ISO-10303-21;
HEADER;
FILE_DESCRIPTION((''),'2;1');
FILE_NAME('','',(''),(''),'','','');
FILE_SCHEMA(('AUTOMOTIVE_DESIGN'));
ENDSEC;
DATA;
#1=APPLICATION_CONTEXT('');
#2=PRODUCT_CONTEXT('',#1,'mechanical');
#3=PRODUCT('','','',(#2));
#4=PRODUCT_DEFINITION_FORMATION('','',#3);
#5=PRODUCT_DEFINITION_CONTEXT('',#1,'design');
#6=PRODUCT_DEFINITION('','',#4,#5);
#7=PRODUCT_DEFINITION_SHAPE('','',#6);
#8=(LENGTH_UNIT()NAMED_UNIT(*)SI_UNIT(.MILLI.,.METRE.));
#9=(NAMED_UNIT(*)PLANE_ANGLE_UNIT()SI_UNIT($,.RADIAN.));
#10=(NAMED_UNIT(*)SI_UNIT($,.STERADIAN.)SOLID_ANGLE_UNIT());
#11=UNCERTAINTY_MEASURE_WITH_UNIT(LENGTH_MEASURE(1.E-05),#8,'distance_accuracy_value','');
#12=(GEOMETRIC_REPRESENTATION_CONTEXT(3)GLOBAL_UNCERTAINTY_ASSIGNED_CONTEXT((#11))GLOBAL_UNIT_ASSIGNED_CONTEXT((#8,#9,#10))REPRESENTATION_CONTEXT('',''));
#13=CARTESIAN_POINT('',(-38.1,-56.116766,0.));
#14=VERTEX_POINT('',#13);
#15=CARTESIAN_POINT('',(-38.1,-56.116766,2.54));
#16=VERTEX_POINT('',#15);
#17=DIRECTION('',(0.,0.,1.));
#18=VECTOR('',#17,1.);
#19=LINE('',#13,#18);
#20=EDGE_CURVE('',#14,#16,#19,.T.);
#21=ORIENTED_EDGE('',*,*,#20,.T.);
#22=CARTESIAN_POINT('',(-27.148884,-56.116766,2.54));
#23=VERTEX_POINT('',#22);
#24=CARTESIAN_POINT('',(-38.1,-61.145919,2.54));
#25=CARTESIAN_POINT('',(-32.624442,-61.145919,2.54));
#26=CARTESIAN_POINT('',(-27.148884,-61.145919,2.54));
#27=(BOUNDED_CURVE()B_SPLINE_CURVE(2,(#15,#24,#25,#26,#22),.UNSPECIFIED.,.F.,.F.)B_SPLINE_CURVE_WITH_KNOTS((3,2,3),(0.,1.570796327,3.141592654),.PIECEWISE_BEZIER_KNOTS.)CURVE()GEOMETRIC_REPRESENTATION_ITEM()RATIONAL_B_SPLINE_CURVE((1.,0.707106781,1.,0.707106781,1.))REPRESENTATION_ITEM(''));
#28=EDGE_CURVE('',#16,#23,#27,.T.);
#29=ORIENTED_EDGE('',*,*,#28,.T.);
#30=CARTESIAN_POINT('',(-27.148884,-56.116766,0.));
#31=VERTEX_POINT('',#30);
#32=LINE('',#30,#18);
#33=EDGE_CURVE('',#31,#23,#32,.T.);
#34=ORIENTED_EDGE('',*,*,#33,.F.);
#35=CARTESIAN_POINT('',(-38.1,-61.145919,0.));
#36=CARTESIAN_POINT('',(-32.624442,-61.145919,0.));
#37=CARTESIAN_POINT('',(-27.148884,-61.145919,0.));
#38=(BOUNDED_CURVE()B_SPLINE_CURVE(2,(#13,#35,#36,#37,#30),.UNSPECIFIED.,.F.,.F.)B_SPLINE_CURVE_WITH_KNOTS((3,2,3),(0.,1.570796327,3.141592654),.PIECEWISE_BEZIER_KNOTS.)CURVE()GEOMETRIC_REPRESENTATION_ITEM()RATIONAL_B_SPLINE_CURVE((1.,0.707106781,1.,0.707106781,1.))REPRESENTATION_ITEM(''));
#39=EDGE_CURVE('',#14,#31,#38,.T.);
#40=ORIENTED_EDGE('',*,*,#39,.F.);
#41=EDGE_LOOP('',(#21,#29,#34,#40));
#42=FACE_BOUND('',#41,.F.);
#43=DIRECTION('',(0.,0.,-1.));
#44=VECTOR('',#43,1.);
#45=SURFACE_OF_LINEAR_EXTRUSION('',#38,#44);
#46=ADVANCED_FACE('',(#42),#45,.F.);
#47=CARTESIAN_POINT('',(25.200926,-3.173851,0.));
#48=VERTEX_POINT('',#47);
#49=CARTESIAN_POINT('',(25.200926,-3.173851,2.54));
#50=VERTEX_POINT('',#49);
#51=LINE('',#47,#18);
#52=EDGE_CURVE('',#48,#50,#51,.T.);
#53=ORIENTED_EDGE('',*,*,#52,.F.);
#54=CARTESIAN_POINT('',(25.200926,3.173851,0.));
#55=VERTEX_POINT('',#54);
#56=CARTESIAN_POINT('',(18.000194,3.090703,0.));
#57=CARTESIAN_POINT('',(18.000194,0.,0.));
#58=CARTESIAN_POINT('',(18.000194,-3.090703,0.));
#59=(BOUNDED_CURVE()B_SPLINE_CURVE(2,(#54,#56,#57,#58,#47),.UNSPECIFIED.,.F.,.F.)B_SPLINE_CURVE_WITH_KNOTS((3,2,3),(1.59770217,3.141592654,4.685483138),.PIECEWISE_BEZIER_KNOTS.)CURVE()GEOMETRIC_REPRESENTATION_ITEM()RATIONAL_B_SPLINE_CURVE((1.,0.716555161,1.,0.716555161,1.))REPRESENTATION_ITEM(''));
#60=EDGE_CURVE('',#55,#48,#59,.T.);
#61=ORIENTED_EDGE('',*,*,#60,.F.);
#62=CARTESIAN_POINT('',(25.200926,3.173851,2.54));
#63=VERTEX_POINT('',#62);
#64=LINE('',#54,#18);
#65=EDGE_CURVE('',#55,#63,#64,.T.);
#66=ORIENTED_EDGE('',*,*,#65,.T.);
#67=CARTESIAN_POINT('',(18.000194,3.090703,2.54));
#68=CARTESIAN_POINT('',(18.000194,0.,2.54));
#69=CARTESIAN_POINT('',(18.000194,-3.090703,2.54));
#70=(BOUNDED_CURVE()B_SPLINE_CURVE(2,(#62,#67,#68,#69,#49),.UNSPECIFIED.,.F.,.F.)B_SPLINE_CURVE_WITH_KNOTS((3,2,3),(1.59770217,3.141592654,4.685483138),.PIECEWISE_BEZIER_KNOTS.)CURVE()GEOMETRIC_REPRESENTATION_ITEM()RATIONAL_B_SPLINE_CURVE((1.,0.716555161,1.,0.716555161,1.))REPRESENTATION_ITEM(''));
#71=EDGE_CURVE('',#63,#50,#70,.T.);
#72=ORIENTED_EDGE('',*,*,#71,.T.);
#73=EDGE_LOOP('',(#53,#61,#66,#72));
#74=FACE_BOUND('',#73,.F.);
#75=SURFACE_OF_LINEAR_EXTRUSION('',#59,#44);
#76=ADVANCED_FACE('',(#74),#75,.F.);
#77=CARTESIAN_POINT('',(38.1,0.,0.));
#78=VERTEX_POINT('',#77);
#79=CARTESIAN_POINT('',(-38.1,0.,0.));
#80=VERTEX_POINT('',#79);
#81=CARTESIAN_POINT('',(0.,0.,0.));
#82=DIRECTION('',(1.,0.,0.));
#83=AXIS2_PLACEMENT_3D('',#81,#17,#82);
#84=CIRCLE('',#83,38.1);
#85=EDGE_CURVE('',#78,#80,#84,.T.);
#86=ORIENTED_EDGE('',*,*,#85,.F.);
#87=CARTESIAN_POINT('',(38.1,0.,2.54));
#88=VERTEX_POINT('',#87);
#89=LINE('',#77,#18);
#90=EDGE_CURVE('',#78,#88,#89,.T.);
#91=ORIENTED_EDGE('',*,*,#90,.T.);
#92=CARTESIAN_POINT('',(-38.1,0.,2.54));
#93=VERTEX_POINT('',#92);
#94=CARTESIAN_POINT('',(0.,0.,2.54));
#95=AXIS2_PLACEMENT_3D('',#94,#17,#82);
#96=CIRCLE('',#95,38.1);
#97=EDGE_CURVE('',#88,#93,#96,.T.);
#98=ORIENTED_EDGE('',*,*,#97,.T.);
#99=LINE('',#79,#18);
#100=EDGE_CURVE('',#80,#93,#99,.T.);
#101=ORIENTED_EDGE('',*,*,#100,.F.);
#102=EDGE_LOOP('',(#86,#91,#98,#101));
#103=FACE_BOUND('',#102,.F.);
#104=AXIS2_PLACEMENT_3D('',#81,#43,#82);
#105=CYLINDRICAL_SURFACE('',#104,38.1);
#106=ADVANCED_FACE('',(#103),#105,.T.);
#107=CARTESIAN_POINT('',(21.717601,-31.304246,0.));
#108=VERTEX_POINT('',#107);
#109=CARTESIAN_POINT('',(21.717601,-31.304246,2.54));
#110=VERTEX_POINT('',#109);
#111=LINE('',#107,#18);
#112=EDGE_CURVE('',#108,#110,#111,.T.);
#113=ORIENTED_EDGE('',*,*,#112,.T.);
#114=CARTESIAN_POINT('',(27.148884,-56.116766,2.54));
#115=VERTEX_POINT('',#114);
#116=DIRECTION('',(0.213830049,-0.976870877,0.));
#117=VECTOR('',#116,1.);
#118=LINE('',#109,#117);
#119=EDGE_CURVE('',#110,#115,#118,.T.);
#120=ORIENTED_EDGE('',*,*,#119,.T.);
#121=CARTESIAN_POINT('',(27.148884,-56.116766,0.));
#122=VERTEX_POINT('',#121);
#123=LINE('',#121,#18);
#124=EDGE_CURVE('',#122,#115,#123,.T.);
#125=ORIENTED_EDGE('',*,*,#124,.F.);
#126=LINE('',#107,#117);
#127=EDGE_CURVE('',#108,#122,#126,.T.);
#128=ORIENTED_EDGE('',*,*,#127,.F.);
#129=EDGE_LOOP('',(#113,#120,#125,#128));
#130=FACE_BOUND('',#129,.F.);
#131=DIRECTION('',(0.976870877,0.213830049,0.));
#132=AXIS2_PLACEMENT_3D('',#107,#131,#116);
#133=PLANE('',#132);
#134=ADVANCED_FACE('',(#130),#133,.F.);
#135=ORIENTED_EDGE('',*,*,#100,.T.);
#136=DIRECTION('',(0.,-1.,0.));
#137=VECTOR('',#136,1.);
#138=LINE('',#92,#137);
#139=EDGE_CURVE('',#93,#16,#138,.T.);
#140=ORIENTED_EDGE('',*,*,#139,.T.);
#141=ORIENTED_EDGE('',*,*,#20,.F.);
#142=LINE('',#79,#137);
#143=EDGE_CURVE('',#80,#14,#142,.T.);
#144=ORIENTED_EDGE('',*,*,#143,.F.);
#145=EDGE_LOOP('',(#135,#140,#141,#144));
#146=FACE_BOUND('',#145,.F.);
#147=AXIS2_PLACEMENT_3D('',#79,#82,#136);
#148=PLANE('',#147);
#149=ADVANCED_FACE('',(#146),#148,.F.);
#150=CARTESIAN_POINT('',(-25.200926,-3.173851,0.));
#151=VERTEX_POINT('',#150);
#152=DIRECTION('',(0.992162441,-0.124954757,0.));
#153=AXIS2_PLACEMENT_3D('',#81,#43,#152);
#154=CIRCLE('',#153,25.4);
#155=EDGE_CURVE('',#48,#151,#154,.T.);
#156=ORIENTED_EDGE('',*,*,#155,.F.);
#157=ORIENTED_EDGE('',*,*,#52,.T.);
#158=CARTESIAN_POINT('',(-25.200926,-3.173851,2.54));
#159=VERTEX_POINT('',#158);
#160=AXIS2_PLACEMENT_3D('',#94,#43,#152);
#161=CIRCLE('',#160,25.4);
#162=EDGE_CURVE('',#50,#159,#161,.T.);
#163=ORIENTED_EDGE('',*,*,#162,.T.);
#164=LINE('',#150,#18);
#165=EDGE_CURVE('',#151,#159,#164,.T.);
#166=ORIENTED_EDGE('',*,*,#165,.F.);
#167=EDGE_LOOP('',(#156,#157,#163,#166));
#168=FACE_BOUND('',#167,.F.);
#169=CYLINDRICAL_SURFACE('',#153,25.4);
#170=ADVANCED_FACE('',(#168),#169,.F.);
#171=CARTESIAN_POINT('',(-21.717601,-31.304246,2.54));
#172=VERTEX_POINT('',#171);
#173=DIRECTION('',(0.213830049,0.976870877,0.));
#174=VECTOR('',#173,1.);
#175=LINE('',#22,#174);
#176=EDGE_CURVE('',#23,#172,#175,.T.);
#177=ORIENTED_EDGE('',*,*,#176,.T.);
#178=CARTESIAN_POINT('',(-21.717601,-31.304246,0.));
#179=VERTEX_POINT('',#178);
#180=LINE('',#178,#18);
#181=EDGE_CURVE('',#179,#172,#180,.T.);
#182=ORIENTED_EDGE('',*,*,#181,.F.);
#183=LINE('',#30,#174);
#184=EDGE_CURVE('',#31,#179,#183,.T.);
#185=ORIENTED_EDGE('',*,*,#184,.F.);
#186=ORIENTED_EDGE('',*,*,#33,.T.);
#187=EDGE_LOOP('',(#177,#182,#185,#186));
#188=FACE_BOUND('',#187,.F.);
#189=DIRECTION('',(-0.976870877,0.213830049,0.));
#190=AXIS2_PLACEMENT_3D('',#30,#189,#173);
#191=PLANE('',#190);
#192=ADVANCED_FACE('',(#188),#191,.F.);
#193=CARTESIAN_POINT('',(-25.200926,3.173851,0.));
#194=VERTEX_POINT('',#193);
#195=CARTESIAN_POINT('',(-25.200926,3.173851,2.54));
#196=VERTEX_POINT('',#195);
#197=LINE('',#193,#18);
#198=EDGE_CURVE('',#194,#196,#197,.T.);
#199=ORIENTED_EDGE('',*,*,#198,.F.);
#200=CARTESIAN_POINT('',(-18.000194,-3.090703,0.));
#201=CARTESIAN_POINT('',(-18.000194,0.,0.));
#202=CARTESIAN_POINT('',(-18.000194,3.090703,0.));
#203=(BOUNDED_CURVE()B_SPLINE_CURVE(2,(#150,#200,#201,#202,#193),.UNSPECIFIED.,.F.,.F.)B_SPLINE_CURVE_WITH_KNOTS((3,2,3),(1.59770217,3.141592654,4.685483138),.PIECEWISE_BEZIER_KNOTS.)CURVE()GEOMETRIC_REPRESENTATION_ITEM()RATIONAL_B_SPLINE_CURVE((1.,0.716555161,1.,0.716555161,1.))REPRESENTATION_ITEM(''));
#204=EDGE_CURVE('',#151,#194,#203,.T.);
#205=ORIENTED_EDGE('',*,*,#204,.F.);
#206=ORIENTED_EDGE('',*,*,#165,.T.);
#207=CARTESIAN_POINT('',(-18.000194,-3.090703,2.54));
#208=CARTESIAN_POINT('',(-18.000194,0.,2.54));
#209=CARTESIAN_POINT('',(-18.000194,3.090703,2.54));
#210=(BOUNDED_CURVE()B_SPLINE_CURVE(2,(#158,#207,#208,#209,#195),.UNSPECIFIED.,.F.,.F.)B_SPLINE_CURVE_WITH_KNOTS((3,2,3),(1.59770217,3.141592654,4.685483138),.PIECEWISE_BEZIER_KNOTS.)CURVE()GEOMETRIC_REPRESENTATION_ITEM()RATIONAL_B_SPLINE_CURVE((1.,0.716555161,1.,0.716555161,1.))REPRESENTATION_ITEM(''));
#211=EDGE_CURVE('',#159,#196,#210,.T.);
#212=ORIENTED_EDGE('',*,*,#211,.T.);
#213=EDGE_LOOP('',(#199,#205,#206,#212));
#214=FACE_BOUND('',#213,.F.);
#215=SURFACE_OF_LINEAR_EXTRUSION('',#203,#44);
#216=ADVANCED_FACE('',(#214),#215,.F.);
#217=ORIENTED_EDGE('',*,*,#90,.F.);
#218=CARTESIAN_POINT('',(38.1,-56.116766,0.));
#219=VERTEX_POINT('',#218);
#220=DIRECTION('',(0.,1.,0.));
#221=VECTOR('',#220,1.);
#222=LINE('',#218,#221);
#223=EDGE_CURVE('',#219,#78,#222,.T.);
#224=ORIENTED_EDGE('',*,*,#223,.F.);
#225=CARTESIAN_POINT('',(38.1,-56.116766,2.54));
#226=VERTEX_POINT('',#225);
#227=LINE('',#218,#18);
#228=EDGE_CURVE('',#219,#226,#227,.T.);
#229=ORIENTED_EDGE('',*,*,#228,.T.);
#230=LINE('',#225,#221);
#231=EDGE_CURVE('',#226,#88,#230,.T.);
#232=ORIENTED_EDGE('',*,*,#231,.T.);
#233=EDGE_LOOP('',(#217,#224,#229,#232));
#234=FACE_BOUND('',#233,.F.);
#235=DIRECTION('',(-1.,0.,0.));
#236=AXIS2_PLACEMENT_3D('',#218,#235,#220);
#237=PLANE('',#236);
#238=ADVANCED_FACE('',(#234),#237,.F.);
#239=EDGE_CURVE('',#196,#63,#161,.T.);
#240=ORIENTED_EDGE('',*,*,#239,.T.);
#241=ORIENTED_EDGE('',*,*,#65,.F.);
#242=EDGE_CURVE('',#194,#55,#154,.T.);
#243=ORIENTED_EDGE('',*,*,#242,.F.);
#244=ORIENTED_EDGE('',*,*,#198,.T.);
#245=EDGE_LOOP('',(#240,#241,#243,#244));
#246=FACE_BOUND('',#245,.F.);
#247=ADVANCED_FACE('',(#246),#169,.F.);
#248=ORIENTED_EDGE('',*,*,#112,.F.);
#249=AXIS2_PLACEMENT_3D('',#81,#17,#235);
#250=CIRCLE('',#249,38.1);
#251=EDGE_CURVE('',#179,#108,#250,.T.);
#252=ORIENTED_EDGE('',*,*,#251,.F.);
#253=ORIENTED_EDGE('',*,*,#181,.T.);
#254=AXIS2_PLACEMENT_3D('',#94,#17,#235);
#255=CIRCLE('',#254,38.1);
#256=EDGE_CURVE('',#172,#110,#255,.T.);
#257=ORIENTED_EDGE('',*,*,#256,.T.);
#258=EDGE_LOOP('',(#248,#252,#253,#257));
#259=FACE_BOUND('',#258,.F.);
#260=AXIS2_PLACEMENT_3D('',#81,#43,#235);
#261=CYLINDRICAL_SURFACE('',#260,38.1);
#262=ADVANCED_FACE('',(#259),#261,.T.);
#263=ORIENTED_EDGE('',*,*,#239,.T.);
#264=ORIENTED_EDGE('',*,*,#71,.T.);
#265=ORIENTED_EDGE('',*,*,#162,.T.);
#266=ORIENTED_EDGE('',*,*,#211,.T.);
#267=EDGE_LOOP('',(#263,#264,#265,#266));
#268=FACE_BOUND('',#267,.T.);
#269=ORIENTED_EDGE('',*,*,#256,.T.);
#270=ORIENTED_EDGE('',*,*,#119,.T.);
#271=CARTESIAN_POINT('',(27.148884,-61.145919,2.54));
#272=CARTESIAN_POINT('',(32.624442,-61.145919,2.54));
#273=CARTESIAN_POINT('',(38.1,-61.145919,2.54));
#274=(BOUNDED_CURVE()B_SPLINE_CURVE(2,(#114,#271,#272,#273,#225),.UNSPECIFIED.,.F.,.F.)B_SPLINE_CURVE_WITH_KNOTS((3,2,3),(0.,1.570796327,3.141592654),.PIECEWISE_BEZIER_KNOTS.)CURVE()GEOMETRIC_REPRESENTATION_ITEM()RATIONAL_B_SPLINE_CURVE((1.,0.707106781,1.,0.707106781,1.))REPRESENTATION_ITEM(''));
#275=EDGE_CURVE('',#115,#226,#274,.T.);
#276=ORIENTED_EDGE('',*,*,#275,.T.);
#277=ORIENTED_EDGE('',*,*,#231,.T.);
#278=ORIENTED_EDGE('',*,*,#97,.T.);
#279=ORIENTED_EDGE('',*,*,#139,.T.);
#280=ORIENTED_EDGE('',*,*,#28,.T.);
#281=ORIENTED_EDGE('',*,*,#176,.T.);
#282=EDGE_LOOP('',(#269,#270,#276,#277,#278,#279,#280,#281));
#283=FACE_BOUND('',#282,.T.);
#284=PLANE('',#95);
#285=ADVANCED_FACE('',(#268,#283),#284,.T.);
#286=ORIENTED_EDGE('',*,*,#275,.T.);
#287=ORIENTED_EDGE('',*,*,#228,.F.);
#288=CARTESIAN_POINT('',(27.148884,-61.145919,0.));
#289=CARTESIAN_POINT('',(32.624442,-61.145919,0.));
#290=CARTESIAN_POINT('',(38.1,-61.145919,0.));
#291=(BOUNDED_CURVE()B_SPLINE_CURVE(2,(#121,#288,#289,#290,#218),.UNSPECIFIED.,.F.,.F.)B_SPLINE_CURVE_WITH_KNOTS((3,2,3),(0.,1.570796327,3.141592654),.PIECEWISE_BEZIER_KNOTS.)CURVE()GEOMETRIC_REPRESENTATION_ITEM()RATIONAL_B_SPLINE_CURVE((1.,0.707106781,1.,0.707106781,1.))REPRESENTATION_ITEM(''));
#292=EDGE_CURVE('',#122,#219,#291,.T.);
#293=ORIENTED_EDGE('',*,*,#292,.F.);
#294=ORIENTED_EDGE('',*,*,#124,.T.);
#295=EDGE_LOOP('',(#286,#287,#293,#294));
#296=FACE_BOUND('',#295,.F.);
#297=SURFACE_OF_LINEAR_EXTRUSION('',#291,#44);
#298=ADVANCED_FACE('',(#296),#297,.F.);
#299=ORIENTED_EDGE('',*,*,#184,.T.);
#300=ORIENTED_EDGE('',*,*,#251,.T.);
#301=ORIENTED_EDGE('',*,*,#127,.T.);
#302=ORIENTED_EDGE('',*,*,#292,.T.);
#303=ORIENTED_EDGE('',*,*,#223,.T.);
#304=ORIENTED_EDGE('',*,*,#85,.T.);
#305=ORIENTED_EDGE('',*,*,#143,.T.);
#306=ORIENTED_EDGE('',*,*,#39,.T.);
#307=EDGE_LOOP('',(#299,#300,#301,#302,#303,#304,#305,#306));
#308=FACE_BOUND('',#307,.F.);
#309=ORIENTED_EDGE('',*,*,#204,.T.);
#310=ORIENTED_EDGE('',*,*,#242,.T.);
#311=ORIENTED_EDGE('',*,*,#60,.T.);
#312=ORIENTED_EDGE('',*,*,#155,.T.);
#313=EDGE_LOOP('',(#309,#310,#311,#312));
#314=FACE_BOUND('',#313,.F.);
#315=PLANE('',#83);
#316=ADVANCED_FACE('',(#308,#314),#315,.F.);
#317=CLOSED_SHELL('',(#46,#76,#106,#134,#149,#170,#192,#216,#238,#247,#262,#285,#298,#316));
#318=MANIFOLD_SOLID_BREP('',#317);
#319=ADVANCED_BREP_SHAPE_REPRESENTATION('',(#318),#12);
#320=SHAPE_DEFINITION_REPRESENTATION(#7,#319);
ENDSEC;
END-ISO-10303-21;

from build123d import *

# Parameters (mm, degrees)
F1_DEPTH = 2.54


with BuildPart() as f1:
    # F0 (on Top) → F1 (new body)
    with BuildSketch(Plane.XY):
        with BuildLine():
            ThreePointArc((21.7176005389, -31.304246147), (33.7568554558, -17.6659194421), (38.1, 0))
            ThreePointArc((38.1, 0), (0, 38.1), (-38.1, 0))
            ThreePointArc((-38.1, 0), (-33.7568554558, -17.6659194421), (-21.7176005389, -31.304246147))
            ThreePointArc((-21.7176005389, -31.304246147), (0, -38.1), (21.7176005389, -31.304246147))
        make_face()
        with BuildLine():
            ThreePointArc((25.2009259919, 3.1738508394), (25.3501826443, 1.590043994), (25.4, 0))
            ThreePointArc((25.4, 0), (25.3501826443, -1.590043994), (25.2009259919, -3.1738508394))
            ThreePointArc((25.2009259919, -3.1738508394), (0, -25.4), (-25.2009259919, -3.1738508394))
            ThreePointArc((-25.2009259919, -3.1738508394), (-25.4, 0), (-25.2009259919, 3.1738508394))
            ThreePointArc((-25.2009259919, 3.1738508394), (0, 25.4), (25.2009259919, 3.1738508394))
        make_face(mode=Mode.SUBTRACT)
        with BuildLine():
            Line((38.1, -56.116766419), (38.1, 0))
            ThreePointArc((38.1, 0), (33.7568554558, -17.6659194421), (21.7176005389, -31.304246147))
            Line((21.7176005389, -31.304246147), (27.1488837898, -56.116766419))
            Line((27.1488837898, -56.116766419), (38.1, -56.116766419))
        make_face()
        with BuildLine():
            ThreePointArc((-21.7176005389, -31.304246147), (-33.7568554558, -17.6659194421), (-38.1, 0))
            Line((-38.1, 0), (-38.1, -56.116766419))
            Line((-38.1, -56.116766419), (-27.1488837898, -56.116766419))
            Line((-27.1488837898, -56.116766419), (-21.7176005389, -31.304246147))
        make_face()
        with BuildLine():
            add(Edge.make_bspline(
                [(27.1488837898, -56.116766419), (27.1488837898, -61.1459194978), (32.6244418949, -61.1459194978), (38.1, -61.1459194978), (38.1, -56.116766419)],
                knots=[0, 0, 0, 1.5707963268, 1.5707963268, 3.1415926536, 3.1415926536, 3.1415926536], degree=2, weights=[1, 0.7071067812, 1, 0.7071067812, 1]))
            Line((38.1, -56.116766419), (27.1488837898, -56.116766419))
        make_face()
        with BuildLine():
            Line((-27.1488837898, -56.116766419), (-38.1, -56.116766419))
            add(Edge.make_bspline(
                [(-38.1, -56.116766419), (-38.1, -61.1459194978), (-32.6244418949, -61.1459194978), (-27.1488837898, -61.1459194978), (-27.1488837898, -56.116766419)],
                knots=[0, 0, 0, 1.5707963268, 1.5707963268, 3.1415926536, 3.1415926536, 3.1415926536], degree=2, weights=[1, 0.7071067812, 1, 0.7071067812, 1]))
        make_face()
        with BuildLine():
            add(Edge.make_bspline(
                [(-25.2009259919, -3.1738508394), (-18.0001935542, -3.0907029057), (-18.0001935542, 0), (-18.0001935542, 3.0907029057), (-25.2009259919, 3.1738508394)],
                knots=[1.5977021696, 1.5977021696, 1.5977021696, 3.1415926536, 3.1415926536, 4.6854831376, 4.6854831376, 4.6854831376], degree=2, weights=[1, 0.7165551607, 1, 0.7165551607, 1]))
            ThreePointArc((-25.2009259919, 3.1738508394), (-25.4, 0), (-25.2009259919, -3.1738508394))
        make_face()
        with BuildLine():
            ThreePointArc((25.2009259919, -3.1738508394), (25.3501826443, -1.590043994), (25.4, 0))
            ThreePointArc((25.4, 0), (25.3501826443, 1.590043994), (25.2009259919, 3.1738508394))
            add(Edge.make_bspline(
                [(25.2009259919, 3.1738508394), (18.0001935542, 3.0907029057), (18.0001935542, 0), (18.0001935542, -3.0907029057), (25.2009259919, -3.1738508394)],
                knots=[1.5977021696, 1.5977021696, 1.5977021696, 3.1415926536, 3.1415926536, 4.6854831376, 4.6854831376, 4.6854831376], degree=2, weights=[1, 0.7165551607, 1, 0.7165551607, 1]))
        make_face()
    extrude(amount=F1_DEPTH)


solid = f1.part
